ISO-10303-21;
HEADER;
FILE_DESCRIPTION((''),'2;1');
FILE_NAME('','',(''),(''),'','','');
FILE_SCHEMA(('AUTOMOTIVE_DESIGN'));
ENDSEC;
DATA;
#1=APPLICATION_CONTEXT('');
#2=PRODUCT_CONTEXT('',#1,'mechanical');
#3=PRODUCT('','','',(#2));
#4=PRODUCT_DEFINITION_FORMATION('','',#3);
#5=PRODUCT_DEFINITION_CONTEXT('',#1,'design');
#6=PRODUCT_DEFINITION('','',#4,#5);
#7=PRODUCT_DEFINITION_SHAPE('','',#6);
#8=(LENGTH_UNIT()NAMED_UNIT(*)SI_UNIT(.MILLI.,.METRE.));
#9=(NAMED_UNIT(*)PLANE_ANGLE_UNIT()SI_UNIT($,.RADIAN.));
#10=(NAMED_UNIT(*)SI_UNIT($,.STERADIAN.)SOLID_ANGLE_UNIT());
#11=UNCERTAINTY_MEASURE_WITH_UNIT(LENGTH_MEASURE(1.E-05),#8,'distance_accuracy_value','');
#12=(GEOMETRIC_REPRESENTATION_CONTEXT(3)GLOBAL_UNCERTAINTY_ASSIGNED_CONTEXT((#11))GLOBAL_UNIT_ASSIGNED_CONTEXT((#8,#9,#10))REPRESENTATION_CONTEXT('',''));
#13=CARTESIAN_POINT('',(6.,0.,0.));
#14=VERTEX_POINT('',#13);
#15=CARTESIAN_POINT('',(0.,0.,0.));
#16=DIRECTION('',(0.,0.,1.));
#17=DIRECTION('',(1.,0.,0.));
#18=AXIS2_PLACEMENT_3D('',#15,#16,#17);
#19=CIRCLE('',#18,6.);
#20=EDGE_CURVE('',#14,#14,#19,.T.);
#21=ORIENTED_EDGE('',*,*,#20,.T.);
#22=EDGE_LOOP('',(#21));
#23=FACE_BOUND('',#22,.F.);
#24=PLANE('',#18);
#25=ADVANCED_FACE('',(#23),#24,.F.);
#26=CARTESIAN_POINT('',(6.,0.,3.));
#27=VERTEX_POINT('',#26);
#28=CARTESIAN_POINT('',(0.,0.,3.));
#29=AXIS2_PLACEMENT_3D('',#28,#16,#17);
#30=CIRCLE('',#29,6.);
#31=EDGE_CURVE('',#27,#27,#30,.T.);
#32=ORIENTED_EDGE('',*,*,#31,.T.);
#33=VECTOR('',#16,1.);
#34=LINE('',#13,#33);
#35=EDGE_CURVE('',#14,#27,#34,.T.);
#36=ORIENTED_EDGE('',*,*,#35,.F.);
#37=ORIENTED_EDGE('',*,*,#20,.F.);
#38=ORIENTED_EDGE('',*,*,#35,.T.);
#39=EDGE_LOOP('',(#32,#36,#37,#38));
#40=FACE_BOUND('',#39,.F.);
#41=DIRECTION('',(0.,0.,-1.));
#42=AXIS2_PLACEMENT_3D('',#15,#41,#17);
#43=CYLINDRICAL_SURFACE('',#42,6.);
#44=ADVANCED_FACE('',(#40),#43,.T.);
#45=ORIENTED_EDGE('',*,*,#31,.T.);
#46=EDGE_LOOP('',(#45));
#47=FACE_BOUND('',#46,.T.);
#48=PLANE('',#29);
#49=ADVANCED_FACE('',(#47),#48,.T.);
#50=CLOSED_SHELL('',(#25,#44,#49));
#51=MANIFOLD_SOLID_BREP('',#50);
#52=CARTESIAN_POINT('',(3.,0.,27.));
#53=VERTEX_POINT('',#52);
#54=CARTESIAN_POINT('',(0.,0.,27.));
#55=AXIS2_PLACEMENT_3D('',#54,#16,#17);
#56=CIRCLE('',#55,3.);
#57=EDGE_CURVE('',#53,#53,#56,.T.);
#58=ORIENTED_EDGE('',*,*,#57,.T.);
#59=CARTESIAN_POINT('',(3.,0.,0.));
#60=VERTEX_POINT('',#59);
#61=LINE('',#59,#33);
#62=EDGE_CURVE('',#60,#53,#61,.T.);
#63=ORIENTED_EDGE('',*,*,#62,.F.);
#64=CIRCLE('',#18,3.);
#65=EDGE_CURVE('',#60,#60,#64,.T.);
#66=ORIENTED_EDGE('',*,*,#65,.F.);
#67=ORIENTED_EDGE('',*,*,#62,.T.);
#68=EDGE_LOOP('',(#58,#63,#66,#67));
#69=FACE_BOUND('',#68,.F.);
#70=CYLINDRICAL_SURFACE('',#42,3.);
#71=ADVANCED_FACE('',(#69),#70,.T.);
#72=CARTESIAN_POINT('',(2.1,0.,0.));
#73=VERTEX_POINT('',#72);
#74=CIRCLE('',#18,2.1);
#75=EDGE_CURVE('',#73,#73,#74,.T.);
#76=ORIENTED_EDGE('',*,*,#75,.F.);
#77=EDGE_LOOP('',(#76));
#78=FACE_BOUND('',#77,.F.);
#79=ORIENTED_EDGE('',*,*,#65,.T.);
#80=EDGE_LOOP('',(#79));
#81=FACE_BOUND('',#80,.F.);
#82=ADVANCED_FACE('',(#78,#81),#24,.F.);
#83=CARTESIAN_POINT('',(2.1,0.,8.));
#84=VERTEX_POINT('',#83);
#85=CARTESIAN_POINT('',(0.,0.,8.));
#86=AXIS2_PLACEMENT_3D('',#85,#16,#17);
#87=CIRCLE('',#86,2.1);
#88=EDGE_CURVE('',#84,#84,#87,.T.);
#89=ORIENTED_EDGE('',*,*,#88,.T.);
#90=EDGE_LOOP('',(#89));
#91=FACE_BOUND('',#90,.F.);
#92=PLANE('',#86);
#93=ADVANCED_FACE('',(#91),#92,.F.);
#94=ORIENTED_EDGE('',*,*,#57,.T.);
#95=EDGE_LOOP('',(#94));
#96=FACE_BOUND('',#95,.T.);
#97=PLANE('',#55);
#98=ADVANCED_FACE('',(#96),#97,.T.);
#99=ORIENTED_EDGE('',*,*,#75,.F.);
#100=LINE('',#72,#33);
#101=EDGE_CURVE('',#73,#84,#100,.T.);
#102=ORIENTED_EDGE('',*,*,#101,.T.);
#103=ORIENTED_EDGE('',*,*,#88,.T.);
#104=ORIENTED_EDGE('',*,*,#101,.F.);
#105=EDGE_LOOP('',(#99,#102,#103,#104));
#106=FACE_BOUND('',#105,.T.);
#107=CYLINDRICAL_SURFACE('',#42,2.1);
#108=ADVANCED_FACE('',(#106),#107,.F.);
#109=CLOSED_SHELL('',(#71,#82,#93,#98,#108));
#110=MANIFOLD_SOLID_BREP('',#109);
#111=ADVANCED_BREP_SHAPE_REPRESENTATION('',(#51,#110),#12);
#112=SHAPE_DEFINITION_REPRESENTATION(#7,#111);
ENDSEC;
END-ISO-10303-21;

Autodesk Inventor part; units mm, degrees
ref_plane "YZ Plane" through (0, 0, 0) normal (1, 0, 0) x (0, 1, 0)
ref_plane "XZ Plane" through (0, 0, 0) normal (0, 1, 0) x (-1, 0, 0)
ref_plane "XY Plane" through (0, 0, 0) normal (0, 0, 1) x (1, 0, 0)
sketch "Skizze1" plane through (0, 0, 0) normal (0, 0, 1) x (1, 0, 0)
  circle A0 centre (0, 0) radius 3
extrude "Extrusion1" add sketch "Skizze1" along normal blind 27
sketch "Skizze2" plane through (0, 0, 0) normal (0, 0, 1) x (1, 0, 0)
  circle A0 centre (0, 0) radius 6
extrude "Extrusion2" add sketch "Skizze2" along normal blind 3 separate body
sketch "Skizze3" plane through (0, 0, 0) normal (0, 0, 1) x (1, 0, 0)
  circle A0 centre (0, 0) radius 2.1
extrude "Extrusion3" cut sketch "Skizze3" along normal blind 8 bodies 1
properties part number "Taststift"
